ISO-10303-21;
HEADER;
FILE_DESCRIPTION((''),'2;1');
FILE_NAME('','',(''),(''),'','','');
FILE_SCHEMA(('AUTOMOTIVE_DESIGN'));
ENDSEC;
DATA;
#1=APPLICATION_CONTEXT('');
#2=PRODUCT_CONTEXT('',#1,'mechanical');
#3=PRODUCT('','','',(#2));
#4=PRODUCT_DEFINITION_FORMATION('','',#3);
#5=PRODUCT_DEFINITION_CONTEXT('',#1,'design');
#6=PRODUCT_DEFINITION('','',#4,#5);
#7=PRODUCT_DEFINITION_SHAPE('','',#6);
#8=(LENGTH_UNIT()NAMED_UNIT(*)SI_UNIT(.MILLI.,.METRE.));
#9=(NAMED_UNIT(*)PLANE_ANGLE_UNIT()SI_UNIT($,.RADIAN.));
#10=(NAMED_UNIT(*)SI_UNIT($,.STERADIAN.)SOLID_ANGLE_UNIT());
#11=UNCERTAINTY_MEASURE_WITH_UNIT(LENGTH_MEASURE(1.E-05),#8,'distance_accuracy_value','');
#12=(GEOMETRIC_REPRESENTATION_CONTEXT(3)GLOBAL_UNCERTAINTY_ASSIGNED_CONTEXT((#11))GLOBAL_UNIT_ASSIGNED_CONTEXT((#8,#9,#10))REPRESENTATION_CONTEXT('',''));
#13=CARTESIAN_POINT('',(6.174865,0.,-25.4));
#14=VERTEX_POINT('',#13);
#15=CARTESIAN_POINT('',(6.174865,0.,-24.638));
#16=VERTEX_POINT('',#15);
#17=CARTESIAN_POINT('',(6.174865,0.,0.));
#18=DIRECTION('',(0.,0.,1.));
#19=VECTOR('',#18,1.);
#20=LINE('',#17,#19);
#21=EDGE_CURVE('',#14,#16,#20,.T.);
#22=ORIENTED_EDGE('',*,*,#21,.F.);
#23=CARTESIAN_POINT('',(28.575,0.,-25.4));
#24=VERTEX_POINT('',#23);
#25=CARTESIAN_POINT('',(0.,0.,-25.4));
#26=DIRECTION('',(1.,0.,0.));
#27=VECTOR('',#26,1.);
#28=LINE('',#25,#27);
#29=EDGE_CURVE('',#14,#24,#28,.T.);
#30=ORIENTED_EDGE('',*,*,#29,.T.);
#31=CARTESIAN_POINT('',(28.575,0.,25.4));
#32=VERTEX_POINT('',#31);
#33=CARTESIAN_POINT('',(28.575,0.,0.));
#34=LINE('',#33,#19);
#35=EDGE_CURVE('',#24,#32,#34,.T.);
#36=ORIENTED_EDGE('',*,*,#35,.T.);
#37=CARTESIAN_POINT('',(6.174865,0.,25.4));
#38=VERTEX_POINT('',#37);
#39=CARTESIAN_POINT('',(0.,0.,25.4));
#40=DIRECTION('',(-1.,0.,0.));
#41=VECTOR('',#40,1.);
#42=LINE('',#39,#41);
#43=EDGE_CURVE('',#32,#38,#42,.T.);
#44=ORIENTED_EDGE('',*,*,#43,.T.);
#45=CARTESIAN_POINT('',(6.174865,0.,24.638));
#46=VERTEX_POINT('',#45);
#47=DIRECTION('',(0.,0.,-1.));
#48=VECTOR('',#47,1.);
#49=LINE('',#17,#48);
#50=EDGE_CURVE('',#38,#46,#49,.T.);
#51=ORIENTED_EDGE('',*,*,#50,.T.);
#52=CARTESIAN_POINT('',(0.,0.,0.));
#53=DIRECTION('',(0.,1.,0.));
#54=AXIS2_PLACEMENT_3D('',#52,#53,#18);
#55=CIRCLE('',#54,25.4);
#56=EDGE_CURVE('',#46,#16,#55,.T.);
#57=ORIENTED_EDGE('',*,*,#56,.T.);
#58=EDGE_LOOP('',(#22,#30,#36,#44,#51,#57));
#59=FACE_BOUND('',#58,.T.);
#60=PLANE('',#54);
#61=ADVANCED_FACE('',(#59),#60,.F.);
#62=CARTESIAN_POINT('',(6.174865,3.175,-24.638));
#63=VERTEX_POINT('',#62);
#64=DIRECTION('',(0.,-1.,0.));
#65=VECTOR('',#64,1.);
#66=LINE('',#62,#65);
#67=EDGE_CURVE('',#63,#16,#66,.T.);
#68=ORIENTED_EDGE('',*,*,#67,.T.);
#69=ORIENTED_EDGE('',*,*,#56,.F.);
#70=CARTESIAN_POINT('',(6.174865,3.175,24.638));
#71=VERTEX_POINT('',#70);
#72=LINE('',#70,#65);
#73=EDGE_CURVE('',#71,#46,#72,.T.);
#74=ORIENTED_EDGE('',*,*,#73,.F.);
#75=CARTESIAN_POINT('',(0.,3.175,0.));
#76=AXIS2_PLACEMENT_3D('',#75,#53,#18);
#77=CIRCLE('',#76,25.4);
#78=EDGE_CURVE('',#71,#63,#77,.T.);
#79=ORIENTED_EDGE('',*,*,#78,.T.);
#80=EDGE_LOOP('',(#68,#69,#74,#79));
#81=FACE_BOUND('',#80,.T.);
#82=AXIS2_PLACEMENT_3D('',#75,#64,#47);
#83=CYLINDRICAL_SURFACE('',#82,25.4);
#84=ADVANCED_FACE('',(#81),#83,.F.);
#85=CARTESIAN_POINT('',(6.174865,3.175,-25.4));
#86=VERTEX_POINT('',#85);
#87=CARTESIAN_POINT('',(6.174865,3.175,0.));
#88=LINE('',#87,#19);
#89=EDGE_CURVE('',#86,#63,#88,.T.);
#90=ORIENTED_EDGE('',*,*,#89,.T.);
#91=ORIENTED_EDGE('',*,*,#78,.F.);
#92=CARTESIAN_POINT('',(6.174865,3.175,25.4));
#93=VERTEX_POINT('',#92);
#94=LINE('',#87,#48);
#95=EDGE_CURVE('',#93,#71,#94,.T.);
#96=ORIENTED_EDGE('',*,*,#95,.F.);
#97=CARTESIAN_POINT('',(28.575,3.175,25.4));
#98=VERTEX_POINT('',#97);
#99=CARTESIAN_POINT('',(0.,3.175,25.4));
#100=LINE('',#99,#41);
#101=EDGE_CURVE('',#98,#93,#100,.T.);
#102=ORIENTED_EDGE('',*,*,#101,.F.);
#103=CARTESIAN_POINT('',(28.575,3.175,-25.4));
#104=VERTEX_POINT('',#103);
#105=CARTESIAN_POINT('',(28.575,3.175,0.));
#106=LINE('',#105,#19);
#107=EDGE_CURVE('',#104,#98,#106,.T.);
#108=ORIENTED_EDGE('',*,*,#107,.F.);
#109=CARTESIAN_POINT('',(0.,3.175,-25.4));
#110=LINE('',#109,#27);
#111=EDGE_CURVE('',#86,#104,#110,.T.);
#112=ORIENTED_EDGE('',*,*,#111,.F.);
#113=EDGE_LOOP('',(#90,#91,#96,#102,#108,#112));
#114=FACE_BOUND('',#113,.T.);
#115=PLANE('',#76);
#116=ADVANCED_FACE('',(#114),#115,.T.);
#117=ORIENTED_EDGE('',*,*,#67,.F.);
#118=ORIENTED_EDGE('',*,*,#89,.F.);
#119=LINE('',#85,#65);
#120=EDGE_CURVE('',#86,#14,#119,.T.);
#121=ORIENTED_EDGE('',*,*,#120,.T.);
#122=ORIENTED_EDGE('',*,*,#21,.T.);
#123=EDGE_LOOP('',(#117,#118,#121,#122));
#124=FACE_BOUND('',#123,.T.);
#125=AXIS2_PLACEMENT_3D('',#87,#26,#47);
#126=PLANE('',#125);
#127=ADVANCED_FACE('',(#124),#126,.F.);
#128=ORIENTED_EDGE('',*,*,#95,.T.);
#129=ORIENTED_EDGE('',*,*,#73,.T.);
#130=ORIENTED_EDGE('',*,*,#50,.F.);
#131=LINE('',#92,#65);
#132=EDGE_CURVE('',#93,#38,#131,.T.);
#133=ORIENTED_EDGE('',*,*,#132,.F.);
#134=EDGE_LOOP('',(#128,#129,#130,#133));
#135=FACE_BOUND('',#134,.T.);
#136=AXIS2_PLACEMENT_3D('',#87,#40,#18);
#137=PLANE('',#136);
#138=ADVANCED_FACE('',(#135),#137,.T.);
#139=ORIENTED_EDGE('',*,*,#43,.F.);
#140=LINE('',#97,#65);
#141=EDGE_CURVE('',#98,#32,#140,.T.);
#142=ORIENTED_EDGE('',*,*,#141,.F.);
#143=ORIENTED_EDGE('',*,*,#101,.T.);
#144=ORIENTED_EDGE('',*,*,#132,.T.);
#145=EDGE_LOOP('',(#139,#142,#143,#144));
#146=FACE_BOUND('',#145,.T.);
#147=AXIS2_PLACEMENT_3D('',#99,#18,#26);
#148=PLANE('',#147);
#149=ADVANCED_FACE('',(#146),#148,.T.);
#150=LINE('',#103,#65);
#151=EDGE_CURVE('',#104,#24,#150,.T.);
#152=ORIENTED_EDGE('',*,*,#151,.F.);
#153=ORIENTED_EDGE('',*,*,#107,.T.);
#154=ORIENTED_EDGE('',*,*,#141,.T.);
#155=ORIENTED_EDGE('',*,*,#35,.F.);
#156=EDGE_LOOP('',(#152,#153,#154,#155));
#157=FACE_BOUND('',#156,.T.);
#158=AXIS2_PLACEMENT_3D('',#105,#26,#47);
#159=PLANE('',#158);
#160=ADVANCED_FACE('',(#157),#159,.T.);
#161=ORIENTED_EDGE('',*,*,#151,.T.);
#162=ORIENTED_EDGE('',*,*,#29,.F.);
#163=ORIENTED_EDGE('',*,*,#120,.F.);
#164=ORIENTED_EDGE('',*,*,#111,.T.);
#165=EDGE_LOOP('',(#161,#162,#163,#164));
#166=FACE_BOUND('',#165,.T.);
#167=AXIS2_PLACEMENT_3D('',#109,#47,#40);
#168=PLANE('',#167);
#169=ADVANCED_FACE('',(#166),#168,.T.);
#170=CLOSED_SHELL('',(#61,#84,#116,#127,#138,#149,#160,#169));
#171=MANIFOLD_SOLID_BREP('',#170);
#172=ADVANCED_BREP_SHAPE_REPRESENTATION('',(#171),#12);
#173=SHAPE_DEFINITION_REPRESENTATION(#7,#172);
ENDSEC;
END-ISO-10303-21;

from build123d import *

# Parameters (mm, degrees)
BOSS_EXTRUDE1_DEPTH = 3.175


with BuildPart() as part:
    # Sketch1 → Boss-Extrude1 (new body)
    with BuildSketch(Plane(origin=(0, 0, 0), x_dir=(1, 0, 0), z_dir=(0, 1, 0))):
        with BuildLine():
            Line((28.575, 25.4), (6.174864857, 25.4))
            Line((6.174864857, 25.4), (6.174864857, 24.638))
            ThreePointArc((6.174864857, 24.638), (20.025003962, 15.625594911), (25.4, 0))
            ThreePointArc((25.4, 0), (20.025003962, -15.625594911), (6.174864857, -24.638))
            Line((6.174864857, -24.638), (6.174864857, -25.4))
            Line((6.174864857, -25.4), (28.575, -25.4))
            Line((28.575, -25.4), (28.575, 25.4))
        make_face()
    extrude(amount=BOSS_EXTRUDE1_DEPTH)


solid = part.part
